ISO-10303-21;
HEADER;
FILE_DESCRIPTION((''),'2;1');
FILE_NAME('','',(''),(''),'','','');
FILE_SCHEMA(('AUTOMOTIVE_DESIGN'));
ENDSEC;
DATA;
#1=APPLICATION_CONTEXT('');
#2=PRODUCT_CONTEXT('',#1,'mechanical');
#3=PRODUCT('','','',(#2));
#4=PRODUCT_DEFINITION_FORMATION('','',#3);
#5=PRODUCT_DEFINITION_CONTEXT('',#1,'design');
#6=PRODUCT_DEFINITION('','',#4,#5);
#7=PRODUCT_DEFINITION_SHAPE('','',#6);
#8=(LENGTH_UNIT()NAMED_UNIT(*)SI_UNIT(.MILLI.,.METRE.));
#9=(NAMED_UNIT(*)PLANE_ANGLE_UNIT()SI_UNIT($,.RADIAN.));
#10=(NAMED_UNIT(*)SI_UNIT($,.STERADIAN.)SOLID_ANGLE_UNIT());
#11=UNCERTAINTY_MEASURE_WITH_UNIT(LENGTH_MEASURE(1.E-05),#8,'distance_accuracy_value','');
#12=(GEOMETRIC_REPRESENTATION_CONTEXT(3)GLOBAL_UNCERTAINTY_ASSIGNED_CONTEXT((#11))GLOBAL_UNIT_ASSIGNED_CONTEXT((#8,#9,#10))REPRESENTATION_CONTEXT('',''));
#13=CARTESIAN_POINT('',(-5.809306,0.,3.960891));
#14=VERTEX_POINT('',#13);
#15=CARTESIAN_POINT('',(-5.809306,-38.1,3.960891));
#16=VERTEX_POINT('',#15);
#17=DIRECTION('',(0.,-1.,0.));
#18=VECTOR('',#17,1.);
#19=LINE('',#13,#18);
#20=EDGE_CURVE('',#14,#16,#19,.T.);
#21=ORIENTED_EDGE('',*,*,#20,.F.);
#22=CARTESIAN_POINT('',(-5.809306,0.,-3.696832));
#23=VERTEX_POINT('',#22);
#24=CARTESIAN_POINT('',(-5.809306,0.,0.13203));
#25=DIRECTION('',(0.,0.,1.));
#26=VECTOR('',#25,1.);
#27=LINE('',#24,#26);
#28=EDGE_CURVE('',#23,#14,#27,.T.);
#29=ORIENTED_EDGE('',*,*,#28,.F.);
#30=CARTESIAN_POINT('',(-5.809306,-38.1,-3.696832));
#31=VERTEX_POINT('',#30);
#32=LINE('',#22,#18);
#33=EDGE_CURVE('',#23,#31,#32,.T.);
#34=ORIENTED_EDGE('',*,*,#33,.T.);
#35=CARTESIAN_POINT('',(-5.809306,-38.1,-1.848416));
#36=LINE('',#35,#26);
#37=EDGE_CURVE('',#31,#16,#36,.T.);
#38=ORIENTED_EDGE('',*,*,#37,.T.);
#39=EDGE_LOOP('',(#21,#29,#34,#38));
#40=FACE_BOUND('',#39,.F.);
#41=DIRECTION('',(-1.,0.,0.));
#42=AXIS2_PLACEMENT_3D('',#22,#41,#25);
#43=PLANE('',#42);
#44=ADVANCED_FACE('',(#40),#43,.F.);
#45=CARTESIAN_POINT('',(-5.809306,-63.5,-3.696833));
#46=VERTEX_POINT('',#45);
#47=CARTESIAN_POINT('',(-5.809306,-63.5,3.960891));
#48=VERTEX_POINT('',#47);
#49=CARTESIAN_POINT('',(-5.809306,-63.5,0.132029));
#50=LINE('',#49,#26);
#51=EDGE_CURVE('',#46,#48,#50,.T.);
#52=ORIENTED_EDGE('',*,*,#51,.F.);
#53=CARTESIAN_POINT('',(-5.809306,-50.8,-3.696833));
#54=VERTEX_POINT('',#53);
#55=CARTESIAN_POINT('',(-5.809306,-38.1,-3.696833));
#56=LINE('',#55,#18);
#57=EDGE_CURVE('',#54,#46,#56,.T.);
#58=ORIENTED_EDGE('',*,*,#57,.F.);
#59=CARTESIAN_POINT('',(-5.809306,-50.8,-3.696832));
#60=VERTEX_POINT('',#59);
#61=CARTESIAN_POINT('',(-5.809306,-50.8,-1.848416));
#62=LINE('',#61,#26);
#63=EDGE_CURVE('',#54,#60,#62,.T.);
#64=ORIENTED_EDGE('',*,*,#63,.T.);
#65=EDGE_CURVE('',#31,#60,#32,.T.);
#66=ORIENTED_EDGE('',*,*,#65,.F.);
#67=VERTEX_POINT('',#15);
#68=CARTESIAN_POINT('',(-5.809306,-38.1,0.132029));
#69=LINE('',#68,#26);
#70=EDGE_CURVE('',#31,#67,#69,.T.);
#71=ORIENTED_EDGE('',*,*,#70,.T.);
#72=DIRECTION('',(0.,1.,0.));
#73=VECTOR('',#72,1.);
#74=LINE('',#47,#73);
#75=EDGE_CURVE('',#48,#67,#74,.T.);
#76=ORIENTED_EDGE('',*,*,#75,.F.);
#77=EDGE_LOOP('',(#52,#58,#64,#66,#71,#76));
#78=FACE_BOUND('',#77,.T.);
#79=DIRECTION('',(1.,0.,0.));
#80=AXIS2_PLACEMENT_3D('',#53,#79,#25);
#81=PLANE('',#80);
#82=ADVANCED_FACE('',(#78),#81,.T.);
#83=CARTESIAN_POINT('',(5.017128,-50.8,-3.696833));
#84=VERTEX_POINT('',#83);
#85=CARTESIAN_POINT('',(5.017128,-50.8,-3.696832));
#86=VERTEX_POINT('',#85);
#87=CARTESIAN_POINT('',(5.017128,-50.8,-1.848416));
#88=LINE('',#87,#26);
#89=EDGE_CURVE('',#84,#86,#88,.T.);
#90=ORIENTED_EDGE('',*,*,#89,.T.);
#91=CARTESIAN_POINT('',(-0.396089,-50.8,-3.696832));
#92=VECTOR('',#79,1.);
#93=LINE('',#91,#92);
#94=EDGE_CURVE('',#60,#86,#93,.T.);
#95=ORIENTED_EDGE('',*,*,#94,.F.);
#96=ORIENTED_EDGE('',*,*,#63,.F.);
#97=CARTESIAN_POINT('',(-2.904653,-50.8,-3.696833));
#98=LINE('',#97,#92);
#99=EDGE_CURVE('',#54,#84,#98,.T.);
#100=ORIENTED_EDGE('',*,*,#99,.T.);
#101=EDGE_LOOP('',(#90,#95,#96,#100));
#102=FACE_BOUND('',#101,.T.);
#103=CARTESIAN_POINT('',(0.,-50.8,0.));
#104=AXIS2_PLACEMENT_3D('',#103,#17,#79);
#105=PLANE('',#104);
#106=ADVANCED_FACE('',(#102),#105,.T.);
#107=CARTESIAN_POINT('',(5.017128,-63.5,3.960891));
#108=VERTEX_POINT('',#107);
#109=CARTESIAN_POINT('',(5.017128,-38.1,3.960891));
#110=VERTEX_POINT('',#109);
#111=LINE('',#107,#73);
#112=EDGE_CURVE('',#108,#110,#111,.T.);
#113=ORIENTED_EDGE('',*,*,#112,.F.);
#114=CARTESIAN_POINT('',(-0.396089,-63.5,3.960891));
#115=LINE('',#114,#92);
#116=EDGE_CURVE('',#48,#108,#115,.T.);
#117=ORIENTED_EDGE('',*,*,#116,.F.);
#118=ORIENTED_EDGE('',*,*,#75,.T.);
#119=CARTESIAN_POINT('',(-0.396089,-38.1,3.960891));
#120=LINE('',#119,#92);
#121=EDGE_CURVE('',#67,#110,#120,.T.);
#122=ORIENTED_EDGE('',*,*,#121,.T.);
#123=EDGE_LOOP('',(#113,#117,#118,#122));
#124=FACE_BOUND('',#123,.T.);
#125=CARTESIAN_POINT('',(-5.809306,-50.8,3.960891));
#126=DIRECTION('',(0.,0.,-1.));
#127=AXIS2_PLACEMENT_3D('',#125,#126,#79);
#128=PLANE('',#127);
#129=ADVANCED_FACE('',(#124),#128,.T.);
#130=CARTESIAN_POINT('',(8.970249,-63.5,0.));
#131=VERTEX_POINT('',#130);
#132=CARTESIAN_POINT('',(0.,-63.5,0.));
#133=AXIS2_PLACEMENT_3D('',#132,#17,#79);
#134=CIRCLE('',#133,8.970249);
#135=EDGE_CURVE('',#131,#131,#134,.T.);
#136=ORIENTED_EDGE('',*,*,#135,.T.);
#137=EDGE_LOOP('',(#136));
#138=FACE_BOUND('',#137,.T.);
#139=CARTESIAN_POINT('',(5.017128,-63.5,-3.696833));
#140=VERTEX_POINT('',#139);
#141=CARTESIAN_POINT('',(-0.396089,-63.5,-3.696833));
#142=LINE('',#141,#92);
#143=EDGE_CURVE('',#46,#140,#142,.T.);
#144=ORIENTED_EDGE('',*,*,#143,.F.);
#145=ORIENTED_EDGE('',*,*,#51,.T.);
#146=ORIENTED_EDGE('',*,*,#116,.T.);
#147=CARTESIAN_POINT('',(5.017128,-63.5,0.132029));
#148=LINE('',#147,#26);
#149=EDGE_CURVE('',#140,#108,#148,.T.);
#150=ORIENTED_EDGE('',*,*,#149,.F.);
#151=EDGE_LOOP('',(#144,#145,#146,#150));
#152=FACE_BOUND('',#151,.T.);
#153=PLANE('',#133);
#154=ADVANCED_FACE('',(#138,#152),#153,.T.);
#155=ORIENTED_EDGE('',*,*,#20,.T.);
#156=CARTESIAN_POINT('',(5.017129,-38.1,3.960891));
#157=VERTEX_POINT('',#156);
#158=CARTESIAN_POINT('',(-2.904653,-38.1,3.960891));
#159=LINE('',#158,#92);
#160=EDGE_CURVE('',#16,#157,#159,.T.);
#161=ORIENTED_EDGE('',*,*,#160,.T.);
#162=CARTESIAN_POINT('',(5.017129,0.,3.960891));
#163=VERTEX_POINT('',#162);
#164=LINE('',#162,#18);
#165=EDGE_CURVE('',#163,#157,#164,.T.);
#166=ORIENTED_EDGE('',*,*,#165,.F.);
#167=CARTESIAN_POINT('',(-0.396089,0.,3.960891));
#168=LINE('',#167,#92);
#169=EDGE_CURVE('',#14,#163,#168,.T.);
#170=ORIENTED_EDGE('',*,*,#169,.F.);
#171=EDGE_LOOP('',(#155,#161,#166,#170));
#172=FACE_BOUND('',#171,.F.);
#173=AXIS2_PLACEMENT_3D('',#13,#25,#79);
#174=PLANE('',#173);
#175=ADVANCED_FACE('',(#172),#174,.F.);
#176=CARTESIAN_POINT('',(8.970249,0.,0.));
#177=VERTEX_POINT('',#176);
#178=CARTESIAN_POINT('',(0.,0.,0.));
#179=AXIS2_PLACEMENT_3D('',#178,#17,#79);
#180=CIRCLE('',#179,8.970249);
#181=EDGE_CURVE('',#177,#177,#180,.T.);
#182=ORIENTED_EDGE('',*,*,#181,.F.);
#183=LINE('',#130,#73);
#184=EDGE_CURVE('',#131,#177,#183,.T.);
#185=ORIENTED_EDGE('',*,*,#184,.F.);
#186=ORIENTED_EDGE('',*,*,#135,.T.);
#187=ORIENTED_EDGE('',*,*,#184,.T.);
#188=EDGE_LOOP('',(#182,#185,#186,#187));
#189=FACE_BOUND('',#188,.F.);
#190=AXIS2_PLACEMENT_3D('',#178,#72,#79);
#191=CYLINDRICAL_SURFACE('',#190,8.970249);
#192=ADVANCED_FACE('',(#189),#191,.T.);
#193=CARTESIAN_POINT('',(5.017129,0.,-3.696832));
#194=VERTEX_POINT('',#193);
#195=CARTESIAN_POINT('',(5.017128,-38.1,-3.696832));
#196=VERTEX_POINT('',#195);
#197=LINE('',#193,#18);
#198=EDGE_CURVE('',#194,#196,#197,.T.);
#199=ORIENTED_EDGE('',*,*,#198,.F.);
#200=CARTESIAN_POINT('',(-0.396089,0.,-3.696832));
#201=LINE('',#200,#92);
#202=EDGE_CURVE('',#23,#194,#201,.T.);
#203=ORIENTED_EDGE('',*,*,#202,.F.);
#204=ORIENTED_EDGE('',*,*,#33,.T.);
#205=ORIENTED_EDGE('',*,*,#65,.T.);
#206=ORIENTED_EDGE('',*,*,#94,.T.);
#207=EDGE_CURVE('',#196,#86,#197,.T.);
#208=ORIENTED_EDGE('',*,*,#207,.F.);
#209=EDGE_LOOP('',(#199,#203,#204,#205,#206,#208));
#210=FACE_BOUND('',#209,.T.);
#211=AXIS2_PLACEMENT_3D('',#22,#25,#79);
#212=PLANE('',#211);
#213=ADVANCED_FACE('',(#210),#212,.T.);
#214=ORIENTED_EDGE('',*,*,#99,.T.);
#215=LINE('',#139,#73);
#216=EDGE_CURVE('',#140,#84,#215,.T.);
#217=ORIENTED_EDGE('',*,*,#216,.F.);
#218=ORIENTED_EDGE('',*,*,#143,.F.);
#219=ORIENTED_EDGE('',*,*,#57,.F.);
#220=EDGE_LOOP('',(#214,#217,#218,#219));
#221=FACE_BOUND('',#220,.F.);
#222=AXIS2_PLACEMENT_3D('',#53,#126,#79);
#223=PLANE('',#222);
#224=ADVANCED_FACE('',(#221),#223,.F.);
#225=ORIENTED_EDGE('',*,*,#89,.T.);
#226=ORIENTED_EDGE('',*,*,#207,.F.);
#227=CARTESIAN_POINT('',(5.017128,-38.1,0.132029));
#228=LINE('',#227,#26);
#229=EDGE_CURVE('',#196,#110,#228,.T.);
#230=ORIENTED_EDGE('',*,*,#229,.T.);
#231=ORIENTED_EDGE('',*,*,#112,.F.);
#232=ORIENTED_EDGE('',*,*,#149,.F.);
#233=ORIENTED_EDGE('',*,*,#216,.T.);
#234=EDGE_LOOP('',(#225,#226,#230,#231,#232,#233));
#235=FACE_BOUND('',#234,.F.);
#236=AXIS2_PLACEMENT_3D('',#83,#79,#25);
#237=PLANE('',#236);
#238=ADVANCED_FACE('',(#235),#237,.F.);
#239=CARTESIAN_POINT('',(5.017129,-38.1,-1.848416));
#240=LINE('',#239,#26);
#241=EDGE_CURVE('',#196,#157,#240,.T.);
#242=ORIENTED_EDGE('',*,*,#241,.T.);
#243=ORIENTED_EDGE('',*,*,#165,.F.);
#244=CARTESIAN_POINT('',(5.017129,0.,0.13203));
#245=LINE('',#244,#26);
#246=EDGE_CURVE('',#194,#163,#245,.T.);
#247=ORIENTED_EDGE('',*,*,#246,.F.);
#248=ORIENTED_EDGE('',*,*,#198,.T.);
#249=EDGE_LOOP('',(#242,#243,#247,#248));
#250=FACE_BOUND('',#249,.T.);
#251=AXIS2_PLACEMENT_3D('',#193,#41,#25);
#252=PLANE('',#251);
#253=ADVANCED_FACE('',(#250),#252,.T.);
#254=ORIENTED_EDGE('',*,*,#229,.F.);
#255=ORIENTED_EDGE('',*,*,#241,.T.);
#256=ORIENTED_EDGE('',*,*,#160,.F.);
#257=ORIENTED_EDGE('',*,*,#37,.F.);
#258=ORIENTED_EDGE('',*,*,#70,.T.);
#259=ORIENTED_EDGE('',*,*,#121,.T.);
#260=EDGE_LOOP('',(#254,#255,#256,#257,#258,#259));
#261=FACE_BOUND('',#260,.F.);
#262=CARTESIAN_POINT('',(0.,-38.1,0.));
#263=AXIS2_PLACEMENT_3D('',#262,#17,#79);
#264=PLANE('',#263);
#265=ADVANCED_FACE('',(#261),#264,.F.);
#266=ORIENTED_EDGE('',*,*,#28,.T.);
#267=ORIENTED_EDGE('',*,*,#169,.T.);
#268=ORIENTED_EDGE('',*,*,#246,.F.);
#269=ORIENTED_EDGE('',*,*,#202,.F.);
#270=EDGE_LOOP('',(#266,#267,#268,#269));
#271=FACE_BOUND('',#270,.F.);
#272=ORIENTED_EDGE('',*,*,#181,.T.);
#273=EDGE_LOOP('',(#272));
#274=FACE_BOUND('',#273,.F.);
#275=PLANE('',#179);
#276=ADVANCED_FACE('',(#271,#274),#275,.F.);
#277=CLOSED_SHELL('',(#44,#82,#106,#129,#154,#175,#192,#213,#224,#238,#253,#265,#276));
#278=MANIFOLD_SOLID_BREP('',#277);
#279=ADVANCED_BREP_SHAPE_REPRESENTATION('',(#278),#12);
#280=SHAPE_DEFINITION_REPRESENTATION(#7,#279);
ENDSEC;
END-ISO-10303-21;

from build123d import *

# Parameters (mm, degrees)
F0_R      = 8.970249
F0_W      = 10.826435
F0_H      = 7.657723
F1_DEPTH  = 50.8
F1_FACE_R = 8.970249
F1_FACE_W = 10.826434
F1_FACE_H = 7.657723
F2_DEPTH  = 12.7


with BuildPart() as f1:
    # F0 (on Front) → F1 (new body)
    with BuildSketch(Plane.XZ):
        Circle(F0_R)
        with Locations((-0.396089, 0.13203)):
            Rectangle(F0_W, F0_H, mode=Mode.SUBTRACT)
    extrude(amount=F1_DEPTH)

    # F1_face (on face) → F2 (join, symmetric)
    with BuildSketch(Plane(origin=(0.193298, -50.8, -0.064433), x_dir=(1, 0, 0), z_dir=(0, -1, 0))):
        with Locations((-0.193298, 0.064433)):
            Circle(F1_FACE_R)
        with Locations((-0.589387, 0.196462)):
            Rectangle(F1_FACE_W, F1_FACE_H, mode=Mode.SUBTRACT)
    extrude(amount=F2_DEPTH, both=True)


solid = f1.part
